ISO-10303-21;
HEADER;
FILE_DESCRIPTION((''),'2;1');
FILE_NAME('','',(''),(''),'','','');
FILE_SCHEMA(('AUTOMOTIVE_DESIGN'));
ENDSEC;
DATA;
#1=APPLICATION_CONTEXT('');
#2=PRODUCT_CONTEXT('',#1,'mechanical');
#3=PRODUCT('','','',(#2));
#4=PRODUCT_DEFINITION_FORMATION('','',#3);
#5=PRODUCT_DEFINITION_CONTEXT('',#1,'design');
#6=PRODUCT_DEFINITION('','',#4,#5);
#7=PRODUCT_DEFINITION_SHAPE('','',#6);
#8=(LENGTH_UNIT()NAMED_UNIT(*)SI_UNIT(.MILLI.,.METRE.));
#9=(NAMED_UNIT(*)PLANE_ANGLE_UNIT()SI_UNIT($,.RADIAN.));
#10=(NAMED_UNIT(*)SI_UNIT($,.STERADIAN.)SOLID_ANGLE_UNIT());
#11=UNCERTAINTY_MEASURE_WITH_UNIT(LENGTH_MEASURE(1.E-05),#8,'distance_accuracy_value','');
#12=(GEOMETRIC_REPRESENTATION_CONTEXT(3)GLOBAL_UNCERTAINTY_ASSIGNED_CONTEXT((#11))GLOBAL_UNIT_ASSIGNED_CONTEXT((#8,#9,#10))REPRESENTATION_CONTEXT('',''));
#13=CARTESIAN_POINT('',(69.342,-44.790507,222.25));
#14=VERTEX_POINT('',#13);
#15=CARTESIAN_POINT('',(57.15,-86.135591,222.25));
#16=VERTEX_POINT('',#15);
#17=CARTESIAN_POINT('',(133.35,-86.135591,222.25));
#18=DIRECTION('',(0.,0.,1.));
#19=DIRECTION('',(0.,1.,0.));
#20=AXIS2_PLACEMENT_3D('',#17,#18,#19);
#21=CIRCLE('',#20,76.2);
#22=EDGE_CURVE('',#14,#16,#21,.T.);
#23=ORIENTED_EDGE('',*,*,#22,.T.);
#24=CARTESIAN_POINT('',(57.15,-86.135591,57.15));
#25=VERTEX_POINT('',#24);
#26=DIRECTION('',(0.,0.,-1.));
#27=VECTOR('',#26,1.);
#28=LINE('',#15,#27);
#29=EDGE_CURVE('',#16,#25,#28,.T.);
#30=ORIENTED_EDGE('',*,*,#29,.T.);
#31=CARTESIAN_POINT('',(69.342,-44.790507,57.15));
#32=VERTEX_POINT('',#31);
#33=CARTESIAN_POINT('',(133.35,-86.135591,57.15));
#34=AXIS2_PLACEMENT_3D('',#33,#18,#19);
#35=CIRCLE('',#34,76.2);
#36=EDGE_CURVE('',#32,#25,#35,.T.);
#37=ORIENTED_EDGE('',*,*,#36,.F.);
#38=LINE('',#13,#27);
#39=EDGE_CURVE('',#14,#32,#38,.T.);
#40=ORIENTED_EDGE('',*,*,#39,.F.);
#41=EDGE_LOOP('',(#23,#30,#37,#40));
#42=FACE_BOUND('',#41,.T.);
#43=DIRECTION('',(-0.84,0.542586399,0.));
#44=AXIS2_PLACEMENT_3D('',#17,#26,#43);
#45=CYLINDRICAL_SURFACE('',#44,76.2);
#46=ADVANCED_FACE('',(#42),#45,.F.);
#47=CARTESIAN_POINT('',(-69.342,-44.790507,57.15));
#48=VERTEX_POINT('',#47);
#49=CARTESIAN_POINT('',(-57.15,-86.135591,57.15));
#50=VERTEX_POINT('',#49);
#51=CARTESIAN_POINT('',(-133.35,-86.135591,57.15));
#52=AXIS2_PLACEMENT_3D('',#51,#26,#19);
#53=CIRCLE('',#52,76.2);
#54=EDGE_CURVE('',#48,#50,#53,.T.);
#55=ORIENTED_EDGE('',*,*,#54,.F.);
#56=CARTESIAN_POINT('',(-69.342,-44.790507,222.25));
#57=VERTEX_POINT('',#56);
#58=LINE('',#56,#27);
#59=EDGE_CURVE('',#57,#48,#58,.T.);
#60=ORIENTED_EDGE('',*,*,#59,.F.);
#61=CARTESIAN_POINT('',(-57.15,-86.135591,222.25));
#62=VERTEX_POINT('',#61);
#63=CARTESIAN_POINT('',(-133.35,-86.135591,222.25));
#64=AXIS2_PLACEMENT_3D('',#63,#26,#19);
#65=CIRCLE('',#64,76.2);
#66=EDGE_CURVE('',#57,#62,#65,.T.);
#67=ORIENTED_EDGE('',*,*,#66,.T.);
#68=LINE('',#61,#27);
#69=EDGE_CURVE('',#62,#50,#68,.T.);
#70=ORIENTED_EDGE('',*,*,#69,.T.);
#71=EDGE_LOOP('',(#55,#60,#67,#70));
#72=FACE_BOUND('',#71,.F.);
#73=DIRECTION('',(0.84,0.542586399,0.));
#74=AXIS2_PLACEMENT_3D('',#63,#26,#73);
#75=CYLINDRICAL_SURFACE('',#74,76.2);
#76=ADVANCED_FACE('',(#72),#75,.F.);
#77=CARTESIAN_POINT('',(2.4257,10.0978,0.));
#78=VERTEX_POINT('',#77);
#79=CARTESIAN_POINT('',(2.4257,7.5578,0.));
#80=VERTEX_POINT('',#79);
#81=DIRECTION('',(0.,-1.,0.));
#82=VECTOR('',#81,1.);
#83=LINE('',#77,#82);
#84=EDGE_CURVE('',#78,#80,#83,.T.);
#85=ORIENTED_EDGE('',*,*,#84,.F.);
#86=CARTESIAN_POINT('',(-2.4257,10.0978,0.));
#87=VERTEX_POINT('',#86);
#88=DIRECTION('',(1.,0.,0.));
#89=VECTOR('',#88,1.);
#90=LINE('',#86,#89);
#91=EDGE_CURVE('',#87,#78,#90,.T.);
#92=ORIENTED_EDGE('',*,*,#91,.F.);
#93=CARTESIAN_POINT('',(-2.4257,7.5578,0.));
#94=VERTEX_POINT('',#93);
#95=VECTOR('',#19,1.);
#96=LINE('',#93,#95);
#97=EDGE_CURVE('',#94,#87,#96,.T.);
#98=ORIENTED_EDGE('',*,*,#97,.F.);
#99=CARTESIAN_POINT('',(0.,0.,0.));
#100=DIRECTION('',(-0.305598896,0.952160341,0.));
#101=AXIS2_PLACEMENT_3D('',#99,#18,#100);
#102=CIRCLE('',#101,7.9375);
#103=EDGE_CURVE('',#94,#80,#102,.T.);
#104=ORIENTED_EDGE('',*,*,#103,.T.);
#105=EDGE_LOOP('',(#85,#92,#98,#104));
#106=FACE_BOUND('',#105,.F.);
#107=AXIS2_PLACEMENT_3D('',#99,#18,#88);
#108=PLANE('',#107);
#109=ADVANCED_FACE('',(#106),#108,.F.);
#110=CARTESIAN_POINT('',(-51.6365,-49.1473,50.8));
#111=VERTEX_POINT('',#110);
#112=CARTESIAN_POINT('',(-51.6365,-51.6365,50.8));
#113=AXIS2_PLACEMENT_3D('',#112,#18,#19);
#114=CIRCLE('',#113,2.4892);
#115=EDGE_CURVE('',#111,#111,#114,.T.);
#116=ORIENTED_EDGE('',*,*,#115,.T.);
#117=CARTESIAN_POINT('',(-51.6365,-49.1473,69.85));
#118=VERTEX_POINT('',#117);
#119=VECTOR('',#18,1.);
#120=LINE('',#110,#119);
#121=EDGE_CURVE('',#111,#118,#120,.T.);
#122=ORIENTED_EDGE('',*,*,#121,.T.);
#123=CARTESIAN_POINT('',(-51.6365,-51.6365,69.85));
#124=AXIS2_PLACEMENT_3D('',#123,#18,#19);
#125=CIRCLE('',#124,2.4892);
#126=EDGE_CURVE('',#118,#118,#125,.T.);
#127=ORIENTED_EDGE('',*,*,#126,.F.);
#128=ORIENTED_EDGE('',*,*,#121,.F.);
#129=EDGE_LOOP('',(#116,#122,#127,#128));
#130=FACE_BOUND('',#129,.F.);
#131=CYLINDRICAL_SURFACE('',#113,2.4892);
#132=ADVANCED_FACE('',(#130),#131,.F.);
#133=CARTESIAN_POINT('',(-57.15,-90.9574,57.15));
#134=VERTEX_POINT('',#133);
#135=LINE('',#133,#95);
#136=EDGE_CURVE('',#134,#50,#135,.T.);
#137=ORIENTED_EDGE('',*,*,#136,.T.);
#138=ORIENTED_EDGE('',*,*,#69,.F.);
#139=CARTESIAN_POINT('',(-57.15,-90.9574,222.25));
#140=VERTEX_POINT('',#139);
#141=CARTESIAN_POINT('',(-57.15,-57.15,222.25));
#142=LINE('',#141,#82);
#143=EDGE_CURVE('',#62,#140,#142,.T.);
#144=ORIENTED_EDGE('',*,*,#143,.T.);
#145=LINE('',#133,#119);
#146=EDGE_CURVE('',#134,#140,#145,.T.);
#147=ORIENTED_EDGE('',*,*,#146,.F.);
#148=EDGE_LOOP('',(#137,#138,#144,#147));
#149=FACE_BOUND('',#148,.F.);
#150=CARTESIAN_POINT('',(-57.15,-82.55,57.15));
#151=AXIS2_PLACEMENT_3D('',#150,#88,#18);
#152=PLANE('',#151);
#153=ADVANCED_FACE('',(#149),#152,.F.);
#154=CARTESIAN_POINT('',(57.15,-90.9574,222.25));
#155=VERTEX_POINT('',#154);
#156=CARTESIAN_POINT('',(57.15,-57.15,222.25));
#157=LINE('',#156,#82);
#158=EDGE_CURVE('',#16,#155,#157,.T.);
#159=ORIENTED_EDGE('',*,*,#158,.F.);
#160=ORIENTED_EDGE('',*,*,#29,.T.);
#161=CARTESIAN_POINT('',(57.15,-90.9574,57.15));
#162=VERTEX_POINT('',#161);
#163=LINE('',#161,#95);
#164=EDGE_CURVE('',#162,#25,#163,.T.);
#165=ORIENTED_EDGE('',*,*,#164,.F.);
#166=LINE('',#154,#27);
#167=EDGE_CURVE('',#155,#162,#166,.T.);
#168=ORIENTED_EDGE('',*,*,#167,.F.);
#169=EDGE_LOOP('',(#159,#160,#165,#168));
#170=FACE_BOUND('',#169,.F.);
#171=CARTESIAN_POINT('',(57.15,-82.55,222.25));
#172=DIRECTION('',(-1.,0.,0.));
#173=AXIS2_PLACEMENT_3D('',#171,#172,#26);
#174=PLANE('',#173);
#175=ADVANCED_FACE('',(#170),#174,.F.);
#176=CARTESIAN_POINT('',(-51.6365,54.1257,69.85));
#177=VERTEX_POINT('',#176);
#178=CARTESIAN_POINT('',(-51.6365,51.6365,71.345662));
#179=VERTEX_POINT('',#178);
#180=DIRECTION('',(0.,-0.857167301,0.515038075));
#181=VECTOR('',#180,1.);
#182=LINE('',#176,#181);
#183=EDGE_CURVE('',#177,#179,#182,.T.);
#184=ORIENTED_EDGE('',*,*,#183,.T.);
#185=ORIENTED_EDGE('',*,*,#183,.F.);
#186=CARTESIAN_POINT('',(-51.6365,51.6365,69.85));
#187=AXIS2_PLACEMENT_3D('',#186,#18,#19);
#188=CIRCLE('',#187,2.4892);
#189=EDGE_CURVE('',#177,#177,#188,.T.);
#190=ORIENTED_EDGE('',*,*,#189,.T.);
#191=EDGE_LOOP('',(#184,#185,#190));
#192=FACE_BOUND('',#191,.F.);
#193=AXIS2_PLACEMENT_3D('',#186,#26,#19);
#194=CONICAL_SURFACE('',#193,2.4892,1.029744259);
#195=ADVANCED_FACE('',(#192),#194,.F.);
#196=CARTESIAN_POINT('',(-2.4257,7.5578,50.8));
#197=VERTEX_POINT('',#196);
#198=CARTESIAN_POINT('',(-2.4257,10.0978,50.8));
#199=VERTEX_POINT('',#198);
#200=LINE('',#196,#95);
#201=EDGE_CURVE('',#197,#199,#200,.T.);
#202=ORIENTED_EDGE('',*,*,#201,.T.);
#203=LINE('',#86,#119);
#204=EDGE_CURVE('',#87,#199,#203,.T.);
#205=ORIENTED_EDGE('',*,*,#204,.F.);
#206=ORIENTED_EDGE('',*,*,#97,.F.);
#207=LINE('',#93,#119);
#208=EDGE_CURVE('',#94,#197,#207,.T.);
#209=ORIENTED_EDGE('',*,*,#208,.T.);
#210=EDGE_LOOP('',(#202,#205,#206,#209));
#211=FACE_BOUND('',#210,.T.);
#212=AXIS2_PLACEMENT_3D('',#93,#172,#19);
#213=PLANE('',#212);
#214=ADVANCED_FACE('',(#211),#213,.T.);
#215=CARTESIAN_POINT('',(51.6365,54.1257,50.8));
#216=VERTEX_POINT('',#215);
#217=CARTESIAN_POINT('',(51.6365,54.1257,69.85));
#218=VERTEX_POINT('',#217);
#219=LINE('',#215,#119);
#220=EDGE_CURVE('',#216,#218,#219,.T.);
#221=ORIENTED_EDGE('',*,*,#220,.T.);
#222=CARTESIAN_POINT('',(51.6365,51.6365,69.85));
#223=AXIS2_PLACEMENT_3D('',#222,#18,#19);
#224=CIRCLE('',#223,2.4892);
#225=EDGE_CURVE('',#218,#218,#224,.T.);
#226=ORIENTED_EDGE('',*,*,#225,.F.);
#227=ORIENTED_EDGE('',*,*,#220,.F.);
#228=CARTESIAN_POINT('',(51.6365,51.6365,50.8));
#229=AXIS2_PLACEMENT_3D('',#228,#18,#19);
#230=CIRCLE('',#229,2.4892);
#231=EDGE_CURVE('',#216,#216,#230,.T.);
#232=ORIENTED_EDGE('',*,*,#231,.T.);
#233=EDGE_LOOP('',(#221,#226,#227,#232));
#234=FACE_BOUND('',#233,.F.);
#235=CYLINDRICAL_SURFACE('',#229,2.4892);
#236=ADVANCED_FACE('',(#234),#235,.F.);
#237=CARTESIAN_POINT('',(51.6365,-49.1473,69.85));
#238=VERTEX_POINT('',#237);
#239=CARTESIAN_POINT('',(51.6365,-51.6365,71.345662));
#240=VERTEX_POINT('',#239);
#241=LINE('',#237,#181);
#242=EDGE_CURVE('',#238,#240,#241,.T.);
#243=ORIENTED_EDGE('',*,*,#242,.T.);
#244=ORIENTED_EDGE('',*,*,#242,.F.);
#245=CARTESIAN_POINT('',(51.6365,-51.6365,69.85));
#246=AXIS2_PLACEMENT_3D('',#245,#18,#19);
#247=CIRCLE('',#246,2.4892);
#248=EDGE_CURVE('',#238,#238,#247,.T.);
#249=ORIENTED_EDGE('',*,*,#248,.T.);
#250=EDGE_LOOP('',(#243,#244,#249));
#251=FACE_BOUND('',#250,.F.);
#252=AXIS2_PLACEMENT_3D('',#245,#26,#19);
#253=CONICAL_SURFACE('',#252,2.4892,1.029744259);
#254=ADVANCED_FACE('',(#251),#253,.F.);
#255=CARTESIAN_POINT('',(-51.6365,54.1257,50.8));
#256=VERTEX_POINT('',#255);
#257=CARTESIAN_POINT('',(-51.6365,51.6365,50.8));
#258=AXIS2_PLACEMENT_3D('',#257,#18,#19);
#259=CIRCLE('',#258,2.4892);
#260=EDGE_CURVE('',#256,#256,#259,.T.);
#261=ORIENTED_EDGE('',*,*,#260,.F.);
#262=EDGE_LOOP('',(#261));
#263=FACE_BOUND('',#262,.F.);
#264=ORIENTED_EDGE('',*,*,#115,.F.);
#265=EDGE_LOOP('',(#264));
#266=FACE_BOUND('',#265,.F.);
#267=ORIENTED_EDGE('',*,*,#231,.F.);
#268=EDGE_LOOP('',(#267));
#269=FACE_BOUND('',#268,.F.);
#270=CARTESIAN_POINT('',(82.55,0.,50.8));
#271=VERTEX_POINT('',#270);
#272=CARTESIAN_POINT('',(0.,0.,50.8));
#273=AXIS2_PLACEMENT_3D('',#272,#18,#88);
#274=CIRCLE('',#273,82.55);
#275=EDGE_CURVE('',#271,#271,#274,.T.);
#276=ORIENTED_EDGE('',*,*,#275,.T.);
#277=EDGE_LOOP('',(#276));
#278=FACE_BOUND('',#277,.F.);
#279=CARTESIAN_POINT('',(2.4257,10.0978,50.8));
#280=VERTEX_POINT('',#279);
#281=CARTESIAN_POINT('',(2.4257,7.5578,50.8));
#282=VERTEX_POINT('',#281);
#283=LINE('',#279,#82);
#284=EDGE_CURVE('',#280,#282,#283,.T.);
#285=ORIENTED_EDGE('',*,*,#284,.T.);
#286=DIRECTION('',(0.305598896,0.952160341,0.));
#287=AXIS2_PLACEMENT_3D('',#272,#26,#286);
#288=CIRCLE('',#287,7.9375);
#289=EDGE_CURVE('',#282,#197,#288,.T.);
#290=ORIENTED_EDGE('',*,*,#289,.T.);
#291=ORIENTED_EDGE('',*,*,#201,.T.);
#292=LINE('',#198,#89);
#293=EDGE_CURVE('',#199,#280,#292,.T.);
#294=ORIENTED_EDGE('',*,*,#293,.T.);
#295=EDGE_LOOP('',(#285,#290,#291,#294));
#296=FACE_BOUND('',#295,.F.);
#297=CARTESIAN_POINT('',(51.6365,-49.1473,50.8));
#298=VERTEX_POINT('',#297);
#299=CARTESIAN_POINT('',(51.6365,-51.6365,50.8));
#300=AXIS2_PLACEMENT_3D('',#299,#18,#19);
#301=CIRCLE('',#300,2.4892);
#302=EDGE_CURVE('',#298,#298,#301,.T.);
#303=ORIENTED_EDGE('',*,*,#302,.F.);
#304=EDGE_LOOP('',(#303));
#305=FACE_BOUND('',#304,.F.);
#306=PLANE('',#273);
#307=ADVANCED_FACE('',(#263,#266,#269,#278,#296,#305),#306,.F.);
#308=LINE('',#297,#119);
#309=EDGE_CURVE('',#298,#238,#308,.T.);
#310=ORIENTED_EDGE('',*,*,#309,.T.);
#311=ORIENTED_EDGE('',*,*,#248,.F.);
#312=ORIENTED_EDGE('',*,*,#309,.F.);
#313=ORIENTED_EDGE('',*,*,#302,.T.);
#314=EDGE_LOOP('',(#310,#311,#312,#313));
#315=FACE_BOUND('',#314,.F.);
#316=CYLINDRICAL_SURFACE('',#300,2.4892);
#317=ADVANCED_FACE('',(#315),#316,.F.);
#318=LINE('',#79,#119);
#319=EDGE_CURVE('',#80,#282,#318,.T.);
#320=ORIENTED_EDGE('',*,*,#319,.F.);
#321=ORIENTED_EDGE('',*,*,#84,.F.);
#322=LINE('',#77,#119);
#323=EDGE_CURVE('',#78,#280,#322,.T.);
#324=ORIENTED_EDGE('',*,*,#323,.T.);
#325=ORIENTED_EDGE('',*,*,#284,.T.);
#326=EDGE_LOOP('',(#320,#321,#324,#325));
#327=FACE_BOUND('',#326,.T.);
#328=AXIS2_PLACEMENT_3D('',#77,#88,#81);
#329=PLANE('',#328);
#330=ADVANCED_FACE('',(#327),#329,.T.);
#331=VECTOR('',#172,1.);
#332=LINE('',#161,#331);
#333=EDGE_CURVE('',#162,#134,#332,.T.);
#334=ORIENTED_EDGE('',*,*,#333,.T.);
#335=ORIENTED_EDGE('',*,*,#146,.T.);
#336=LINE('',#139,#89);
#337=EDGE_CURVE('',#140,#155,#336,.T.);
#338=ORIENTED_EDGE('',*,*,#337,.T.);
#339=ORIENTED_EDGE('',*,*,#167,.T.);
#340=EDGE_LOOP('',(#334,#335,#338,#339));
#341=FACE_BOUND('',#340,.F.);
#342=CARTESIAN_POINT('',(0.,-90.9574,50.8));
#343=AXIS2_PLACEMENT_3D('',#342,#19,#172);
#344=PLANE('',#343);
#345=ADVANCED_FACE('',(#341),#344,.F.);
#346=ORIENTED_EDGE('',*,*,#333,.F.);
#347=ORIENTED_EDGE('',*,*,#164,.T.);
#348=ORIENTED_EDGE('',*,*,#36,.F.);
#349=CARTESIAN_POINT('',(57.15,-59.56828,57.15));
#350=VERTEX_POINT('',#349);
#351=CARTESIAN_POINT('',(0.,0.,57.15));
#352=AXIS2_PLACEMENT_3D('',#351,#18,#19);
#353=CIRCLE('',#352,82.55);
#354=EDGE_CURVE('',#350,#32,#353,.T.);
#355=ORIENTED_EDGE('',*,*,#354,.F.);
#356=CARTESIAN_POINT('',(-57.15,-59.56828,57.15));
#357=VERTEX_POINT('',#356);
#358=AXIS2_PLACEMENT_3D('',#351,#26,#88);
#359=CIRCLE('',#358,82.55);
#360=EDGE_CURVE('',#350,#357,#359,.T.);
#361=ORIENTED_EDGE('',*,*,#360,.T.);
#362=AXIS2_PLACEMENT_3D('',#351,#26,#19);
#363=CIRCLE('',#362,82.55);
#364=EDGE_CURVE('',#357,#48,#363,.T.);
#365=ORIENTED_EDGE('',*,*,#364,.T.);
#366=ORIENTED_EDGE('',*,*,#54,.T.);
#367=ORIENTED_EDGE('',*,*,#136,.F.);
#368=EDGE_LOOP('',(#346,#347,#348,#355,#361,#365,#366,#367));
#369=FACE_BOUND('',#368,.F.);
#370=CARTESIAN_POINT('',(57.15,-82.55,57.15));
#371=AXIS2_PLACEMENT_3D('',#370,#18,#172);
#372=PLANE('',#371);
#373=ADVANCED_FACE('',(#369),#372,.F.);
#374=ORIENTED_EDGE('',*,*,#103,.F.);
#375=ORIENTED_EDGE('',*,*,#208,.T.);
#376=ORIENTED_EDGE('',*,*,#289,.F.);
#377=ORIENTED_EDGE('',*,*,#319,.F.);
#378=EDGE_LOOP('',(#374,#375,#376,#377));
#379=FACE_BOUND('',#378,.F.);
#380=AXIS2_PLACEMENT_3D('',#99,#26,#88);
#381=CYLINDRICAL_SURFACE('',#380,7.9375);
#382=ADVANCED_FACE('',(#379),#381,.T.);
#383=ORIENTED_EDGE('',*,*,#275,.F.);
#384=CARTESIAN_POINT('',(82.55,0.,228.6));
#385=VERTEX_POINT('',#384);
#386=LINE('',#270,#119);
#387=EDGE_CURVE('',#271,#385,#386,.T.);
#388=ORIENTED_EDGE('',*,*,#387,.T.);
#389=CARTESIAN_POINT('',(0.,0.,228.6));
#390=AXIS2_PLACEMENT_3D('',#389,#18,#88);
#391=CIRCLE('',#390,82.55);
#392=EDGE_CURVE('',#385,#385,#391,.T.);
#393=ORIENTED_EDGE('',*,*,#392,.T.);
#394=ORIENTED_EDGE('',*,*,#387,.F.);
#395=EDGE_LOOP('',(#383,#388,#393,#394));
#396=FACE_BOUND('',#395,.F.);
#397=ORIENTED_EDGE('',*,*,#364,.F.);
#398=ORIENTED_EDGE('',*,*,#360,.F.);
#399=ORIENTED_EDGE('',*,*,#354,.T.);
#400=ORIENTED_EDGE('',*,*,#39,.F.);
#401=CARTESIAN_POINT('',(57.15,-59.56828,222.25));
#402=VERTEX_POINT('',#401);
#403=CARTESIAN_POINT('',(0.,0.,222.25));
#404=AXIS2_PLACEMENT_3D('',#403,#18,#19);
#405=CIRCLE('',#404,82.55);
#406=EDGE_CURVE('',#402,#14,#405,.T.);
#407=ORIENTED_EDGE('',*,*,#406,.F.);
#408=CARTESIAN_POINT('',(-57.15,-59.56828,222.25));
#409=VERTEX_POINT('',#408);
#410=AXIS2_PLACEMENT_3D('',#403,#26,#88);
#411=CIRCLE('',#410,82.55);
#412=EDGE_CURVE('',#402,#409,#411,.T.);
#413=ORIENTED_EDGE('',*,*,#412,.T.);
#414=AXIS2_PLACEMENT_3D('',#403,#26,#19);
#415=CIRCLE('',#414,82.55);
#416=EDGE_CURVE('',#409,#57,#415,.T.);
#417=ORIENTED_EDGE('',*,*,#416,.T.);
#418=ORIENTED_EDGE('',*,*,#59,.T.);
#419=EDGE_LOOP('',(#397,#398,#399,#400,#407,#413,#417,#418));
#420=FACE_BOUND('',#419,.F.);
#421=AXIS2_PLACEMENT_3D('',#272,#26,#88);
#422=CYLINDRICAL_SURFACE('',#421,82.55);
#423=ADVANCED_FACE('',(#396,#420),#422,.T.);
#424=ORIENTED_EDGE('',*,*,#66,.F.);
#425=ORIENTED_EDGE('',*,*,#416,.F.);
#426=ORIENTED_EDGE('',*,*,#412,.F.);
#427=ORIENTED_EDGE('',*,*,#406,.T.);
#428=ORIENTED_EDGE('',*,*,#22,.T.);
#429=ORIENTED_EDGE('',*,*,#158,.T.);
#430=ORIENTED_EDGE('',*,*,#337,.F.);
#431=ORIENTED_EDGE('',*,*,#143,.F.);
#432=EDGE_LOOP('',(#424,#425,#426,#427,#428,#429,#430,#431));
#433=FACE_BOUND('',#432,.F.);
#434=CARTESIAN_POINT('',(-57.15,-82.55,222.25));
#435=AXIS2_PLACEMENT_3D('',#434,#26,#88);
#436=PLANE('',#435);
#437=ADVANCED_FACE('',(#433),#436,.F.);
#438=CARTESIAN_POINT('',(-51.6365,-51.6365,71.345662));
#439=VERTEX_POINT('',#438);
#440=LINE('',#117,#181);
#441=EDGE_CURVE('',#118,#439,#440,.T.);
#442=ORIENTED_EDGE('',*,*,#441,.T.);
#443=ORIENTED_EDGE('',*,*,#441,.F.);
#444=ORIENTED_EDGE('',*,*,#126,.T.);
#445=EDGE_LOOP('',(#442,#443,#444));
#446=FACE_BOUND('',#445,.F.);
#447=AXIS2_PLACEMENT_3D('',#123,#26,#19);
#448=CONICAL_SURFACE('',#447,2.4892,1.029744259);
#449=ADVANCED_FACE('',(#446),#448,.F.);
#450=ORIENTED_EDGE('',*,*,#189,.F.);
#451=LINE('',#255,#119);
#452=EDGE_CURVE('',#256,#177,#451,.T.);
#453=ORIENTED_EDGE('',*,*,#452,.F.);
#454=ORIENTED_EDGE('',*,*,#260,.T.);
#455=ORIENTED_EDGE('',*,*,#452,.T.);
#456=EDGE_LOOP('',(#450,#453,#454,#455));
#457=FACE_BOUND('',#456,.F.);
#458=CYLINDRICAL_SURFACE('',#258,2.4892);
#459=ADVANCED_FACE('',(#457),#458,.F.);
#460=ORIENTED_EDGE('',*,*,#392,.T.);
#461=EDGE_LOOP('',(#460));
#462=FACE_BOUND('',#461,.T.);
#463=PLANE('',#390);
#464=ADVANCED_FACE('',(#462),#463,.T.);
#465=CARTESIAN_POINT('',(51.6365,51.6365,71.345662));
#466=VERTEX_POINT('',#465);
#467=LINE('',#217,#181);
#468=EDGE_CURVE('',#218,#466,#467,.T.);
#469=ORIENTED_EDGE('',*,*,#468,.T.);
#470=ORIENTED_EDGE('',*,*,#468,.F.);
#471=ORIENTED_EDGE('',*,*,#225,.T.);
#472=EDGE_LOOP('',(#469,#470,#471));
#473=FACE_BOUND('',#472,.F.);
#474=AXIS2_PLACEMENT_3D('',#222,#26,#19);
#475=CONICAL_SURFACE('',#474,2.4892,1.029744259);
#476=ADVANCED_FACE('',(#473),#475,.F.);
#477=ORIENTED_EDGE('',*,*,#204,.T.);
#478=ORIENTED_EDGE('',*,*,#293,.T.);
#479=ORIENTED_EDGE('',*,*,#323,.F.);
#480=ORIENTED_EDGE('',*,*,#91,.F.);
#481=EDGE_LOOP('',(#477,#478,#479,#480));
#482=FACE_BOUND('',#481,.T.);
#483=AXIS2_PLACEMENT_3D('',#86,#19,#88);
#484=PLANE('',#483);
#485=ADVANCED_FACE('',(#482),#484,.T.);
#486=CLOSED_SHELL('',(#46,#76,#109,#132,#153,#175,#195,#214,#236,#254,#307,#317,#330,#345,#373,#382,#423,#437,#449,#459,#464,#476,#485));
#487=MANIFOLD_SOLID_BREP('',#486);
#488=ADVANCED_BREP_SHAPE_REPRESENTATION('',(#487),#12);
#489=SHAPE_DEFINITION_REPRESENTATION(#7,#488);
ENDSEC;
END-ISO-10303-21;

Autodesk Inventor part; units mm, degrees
ref_plane "YZ Plane" through (0, 0, 0) normal (1, 0, 0) x (0, 1, 0)
ref_plane "XY Plane" through (0, 0, 0) normal (0, 0, 1) x (1, 0, 0)
sketch "Sketch1" plane through (0, 0, 0) normal (0, 0, 1) x (1, 0, 0)
  circle A0 centre (0, 0) radius 7.9375
  line L0 (-2.4257, 7.5578) -> (-2.4257, 10.0978)
  line L1 (-2.4257, 10.0978) -> (2.4257, 10.0978)
  line L2 (2.4257, 10.0978) -> (2.4257, 7.5578)
  point P0 (0, 10.0978)
  dimension "d0" = 15.875
  dimension "d1" = 2.54
  dimension "d2" = 4.8514
extrude "Extrusion1" add sketch "Sketch1" along normal blind 50.8
sketch "Sketch2" plane through (0, 0, 50.8) normal (0, 0, 1) x (1, 0, 0)
  circle A0 centre (0, 0) radius 82.55
  dimension "d5" = 165.1
extrude "Extrusion2" add sketch "Sketch2" along normal blind 177.8
sketch "Sketch3" plane through (0, 0, 50.8) normal (0, 0, -1) x (-1, 0, 0)
  circle A0 centre (0, 0) radius 73.025
  arc A1 (-2.4257, 7.5578) -> (2.4257, 7.5578) centre (0, 0) ccw projected
  line L0 (0, 0) -> (51.6365, 51.6365)
  line L1 (0, 0) -> (73.025, 0) construction
  line L2 (0, 0) -> (51.6365, -51.6365)
  line L3 (0, 0) -> (73.025, 0) construction
  line L4 (0, 0) -> (-51.6365, 51.6365)
  line L5 (0, 0) -> (73.025, 0) construction
  line L6 (0, 0) -> (-51.6365, -51.6365)
  line L7 (0, 0) -> (73.025, 0) construction
  dimension "d8" = 146.05
  dimension "d9" = 45
  dimension "d10" = 45
  dimension "d11" = 135
  dimension "d12" = 135
hole "Hole1" at (51.6365, 51.6365, 50.8) at (-51.6365, 51.6365, 50.8) at (-51.6365, -51.6365, 50.8) at (51.6365, -51.6365, 50.8) direction (0, 0, 1) diameter 4.9784 depth 19.05 tip angle 118 thread size "1/4-20 UNC" class "2B" standard "ANSI Unified Screw Threads"
ref_plane "Work Plane1" through (0, -82.55, 50.8) normal (0, 1, 0) x (-1, 0, 0)
sketch "Sketch4" plane through (0, -82.55, 50.8) normal (0, 1, 0) x (-1, 0, 0)
  line L0 (82.55, 177.8) -> (-82.55, 177.8) projected
  line L1 (-82.55, 0) -> (82.55, 0) projected
  line L2 (82.55, 0) -> (82.55, 177.8) projected
  line L3 (-82.55, 0) -> (-82.55, 177.8) projected
  line L4 (-57.15, 6.35) -> (57.15, 6.35)
  line L5 (57.15, 6.35) -> (57.15, 171.45)
  line L6 (57.15, 171.45) -> (-57.15, 171.45)
  line L7 (-57.15, 171.45) -> (-57.15, 6.35)
  point P0 (0, -50.8)
  point P1 (0, 6.35)
  dimension "d20" = 165.1
  dimension "d21" = 6.35
  dimension "d22" = 114.3
extrude "Extrusion3" add sketch "Sketch4" along normal blind 25.4 and the other way blind 8.4074 contours L7 L6 L5 L4
fillet "Fillet1" radius 76.2 1 edges at (-57.15, -59.5683, 139.7)
fillet "Fillet2" radius 76.2 1 edges at (57.15, -59.5683, 139.7)
equation "\"d3\" = ShaftL"
equation "\"d5\" = MotoD"
equation "\"d6\" = MotoL"
equation "\"ShaftL\" = 50.8"
equation "\"MotoD\" = 165.1"
equation "\"MotoL\" = 177.8"
properties part number "oldMotor4"
